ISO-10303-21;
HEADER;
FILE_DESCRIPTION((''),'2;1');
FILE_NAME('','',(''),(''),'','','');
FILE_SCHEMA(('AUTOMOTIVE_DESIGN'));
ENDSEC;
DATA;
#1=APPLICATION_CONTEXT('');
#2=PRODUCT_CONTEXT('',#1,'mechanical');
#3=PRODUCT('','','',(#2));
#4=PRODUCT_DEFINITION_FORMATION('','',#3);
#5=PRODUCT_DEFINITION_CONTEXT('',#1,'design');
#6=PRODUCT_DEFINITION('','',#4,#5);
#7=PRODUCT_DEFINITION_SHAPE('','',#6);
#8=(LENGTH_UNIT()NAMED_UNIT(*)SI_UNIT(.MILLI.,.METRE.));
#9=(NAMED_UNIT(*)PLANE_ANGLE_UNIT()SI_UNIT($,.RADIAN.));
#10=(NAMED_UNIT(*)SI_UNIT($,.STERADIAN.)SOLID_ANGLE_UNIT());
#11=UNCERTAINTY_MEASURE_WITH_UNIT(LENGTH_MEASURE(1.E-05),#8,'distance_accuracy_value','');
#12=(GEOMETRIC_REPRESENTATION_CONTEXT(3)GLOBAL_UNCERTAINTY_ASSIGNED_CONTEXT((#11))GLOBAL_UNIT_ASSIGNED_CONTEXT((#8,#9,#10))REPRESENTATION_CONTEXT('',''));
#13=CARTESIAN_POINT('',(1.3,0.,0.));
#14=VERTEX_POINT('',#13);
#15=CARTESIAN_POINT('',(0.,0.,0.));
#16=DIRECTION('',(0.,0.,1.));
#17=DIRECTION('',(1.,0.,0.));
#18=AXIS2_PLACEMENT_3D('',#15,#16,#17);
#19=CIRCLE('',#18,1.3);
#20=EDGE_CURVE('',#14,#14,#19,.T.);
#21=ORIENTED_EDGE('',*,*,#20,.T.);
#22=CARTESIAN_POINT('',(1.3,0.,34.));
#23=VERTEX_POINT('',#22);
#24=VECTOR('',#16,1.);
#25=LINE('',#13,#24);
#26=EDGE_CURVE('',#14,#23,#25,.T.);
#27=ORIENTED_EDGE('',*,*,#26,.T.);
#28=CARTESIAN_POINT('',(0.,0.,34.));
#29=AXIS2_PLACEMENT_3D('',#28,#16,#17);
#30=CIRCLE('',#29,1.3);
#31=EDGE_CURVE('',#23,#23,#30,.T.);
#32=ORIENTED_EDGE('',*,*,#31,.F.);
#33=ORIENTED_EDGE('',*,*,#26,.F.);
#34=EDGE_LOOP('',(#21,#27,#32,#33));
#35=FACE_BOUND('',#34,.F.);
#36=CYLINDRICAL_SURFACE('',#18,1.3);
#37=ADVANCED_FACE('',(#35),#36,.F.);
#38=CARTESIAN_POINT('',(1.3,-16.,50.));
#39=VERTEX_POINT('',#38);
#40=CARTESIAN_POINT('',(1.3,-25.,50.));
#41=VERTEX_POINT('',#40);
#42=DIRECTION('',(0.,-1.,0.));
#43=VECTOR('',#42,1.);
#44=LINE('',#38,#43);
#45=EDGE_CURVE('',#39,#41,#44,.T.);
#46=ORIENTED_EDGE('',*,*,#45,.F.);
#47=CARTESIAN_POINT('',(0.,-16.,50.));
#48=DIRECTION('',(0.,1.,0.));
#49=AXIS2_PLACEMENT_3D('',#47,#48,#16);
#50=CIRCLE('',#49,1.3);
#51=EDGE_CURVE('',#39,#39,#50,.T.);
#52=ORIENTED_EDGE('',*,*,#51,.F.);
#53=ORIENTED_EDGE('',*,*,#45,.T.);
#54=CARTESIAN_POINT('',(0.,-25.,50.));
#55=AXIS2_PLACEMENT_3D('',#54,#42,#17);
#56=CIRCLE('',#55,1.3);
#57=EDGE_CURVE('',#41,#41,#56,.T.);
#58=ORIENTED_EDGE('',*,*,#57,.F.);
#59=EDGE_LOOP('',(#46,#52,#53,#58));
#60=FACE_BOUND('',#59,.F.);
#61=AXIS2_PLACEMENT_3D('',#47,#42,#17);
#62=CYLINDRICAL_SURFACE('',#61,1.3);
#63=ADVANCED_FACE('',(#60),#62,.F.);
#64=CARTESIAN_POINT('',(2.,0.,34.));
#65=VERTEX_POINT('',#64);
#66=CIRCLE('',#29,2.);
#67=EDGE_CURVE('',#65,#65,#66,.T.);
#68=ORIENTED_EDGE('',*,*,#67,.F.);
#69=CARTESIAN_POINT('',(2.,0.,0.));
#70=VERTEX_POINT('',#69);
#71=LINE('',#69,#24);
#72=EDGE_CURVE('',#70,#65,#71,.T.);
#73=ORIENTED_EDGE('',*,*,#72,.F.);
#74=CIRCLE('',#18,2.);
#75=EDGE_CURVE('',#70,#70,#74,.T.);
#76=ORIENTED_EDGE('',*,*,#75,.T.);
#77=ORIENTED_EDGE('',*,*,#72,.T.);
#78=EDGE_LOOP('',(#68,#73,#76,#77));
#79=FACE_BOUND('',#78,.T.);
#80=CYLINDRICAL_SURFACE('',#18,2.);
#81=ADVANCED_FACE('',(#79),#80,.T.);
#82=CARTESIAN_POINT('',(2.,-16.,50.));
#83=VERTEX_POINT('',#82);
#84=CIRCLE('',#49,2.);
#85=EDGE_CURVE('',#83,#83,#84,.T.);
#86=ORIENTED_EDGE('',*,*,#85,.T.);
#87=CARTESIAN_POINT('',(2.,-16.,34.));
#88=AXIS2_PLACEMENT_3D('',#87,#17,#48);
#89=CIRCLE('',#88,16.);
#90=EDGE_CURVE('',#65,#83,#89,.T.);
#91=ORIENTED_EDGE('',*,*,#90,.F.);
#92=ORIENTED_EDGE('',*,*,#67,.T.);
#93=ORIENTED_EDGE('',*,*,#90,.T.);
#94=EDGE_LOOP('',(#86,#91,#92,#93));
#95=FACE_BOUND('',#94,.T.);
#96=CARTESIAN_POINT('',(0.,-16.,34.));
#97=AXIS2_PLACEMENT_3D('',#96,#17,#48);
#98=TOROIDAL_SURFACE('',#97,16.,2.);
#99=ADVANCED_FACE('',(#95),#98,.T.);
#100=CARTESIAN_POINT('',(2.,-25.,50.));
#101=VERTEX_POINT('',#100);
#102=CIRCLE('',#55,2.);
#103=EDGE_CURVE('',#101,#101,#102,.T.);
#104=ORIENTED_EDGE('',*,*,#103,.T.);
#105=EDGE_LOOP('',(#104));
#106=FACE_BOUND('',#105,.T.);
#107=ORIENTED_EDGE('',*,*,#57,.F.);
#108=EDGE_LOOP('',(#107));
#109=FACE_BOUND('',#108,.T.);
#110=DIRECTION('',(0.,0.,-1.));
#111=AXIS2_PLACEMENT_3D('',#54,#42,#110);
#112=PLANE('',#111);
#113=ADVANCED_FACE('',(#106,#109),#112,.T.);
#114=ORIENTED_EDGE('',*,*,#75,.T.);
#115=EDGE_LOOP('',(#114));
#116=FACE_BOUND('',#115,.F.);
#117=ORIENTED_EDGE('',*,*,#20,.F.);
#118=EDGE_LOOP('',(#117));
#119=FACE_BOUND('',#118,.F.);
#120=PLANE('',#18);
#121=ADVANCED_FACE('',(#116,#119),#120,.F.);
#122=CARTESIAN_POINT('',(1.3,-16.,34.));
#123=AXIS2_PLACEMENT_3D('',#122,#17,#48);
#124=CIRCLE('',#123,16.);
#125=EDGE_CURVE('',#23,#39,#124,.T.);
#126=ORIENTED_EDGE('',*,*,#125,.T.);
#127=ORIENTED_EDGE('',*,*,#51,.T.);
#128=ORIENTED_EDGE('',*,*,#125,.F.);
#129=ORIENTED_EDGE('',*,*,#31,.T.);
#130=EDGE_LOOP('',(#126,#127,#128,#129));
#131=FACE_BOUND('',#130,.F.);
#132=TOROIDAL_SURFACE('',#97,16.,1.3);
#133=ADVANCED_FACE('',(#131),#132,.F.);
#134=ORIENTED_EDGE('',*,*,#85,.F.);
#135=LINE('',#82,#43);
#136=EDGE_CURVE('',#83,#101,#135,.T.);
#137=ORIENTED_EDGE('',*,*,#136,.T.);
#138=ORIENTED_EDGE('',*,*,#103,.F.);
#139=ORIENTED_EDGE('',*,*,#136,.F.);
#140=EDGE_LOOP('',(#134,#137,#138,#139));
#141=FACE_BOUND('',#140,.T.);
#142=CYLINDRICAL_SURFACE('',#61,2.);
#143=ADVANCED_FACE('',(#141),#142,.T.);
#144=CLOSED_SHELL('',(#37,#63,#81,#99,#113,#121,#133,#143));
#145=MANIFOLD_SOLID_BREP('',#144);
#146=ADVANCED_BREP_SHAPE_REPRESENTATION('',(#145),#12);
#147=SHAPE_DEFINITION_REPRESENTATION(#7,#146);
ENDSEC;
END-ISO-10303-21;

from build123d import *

# Parameters (mm, degrees)
F0_R   = 2
F0_R_2 = 1.3


with BuildPart() as f2:
    # F2: sweep along a path in F1
    with BuildLine(Plane.YZ) as f2_path:
        Line((0, 0), (0, 34))
        ThreePointArc((0, 34), (-4.686291501, 45.313708499), (-16, 50))
        Line((-16, 50), (-25, 50))
    # F0 (on Top) → F2 (sweep)
    with BuildSketch(Plane.XY):
        Circle(F0_R)
        Circle(F0_R_2, mode=Mode.SUBTRACT)
    sweep(path=f2_path.line)


solid = f2.part
